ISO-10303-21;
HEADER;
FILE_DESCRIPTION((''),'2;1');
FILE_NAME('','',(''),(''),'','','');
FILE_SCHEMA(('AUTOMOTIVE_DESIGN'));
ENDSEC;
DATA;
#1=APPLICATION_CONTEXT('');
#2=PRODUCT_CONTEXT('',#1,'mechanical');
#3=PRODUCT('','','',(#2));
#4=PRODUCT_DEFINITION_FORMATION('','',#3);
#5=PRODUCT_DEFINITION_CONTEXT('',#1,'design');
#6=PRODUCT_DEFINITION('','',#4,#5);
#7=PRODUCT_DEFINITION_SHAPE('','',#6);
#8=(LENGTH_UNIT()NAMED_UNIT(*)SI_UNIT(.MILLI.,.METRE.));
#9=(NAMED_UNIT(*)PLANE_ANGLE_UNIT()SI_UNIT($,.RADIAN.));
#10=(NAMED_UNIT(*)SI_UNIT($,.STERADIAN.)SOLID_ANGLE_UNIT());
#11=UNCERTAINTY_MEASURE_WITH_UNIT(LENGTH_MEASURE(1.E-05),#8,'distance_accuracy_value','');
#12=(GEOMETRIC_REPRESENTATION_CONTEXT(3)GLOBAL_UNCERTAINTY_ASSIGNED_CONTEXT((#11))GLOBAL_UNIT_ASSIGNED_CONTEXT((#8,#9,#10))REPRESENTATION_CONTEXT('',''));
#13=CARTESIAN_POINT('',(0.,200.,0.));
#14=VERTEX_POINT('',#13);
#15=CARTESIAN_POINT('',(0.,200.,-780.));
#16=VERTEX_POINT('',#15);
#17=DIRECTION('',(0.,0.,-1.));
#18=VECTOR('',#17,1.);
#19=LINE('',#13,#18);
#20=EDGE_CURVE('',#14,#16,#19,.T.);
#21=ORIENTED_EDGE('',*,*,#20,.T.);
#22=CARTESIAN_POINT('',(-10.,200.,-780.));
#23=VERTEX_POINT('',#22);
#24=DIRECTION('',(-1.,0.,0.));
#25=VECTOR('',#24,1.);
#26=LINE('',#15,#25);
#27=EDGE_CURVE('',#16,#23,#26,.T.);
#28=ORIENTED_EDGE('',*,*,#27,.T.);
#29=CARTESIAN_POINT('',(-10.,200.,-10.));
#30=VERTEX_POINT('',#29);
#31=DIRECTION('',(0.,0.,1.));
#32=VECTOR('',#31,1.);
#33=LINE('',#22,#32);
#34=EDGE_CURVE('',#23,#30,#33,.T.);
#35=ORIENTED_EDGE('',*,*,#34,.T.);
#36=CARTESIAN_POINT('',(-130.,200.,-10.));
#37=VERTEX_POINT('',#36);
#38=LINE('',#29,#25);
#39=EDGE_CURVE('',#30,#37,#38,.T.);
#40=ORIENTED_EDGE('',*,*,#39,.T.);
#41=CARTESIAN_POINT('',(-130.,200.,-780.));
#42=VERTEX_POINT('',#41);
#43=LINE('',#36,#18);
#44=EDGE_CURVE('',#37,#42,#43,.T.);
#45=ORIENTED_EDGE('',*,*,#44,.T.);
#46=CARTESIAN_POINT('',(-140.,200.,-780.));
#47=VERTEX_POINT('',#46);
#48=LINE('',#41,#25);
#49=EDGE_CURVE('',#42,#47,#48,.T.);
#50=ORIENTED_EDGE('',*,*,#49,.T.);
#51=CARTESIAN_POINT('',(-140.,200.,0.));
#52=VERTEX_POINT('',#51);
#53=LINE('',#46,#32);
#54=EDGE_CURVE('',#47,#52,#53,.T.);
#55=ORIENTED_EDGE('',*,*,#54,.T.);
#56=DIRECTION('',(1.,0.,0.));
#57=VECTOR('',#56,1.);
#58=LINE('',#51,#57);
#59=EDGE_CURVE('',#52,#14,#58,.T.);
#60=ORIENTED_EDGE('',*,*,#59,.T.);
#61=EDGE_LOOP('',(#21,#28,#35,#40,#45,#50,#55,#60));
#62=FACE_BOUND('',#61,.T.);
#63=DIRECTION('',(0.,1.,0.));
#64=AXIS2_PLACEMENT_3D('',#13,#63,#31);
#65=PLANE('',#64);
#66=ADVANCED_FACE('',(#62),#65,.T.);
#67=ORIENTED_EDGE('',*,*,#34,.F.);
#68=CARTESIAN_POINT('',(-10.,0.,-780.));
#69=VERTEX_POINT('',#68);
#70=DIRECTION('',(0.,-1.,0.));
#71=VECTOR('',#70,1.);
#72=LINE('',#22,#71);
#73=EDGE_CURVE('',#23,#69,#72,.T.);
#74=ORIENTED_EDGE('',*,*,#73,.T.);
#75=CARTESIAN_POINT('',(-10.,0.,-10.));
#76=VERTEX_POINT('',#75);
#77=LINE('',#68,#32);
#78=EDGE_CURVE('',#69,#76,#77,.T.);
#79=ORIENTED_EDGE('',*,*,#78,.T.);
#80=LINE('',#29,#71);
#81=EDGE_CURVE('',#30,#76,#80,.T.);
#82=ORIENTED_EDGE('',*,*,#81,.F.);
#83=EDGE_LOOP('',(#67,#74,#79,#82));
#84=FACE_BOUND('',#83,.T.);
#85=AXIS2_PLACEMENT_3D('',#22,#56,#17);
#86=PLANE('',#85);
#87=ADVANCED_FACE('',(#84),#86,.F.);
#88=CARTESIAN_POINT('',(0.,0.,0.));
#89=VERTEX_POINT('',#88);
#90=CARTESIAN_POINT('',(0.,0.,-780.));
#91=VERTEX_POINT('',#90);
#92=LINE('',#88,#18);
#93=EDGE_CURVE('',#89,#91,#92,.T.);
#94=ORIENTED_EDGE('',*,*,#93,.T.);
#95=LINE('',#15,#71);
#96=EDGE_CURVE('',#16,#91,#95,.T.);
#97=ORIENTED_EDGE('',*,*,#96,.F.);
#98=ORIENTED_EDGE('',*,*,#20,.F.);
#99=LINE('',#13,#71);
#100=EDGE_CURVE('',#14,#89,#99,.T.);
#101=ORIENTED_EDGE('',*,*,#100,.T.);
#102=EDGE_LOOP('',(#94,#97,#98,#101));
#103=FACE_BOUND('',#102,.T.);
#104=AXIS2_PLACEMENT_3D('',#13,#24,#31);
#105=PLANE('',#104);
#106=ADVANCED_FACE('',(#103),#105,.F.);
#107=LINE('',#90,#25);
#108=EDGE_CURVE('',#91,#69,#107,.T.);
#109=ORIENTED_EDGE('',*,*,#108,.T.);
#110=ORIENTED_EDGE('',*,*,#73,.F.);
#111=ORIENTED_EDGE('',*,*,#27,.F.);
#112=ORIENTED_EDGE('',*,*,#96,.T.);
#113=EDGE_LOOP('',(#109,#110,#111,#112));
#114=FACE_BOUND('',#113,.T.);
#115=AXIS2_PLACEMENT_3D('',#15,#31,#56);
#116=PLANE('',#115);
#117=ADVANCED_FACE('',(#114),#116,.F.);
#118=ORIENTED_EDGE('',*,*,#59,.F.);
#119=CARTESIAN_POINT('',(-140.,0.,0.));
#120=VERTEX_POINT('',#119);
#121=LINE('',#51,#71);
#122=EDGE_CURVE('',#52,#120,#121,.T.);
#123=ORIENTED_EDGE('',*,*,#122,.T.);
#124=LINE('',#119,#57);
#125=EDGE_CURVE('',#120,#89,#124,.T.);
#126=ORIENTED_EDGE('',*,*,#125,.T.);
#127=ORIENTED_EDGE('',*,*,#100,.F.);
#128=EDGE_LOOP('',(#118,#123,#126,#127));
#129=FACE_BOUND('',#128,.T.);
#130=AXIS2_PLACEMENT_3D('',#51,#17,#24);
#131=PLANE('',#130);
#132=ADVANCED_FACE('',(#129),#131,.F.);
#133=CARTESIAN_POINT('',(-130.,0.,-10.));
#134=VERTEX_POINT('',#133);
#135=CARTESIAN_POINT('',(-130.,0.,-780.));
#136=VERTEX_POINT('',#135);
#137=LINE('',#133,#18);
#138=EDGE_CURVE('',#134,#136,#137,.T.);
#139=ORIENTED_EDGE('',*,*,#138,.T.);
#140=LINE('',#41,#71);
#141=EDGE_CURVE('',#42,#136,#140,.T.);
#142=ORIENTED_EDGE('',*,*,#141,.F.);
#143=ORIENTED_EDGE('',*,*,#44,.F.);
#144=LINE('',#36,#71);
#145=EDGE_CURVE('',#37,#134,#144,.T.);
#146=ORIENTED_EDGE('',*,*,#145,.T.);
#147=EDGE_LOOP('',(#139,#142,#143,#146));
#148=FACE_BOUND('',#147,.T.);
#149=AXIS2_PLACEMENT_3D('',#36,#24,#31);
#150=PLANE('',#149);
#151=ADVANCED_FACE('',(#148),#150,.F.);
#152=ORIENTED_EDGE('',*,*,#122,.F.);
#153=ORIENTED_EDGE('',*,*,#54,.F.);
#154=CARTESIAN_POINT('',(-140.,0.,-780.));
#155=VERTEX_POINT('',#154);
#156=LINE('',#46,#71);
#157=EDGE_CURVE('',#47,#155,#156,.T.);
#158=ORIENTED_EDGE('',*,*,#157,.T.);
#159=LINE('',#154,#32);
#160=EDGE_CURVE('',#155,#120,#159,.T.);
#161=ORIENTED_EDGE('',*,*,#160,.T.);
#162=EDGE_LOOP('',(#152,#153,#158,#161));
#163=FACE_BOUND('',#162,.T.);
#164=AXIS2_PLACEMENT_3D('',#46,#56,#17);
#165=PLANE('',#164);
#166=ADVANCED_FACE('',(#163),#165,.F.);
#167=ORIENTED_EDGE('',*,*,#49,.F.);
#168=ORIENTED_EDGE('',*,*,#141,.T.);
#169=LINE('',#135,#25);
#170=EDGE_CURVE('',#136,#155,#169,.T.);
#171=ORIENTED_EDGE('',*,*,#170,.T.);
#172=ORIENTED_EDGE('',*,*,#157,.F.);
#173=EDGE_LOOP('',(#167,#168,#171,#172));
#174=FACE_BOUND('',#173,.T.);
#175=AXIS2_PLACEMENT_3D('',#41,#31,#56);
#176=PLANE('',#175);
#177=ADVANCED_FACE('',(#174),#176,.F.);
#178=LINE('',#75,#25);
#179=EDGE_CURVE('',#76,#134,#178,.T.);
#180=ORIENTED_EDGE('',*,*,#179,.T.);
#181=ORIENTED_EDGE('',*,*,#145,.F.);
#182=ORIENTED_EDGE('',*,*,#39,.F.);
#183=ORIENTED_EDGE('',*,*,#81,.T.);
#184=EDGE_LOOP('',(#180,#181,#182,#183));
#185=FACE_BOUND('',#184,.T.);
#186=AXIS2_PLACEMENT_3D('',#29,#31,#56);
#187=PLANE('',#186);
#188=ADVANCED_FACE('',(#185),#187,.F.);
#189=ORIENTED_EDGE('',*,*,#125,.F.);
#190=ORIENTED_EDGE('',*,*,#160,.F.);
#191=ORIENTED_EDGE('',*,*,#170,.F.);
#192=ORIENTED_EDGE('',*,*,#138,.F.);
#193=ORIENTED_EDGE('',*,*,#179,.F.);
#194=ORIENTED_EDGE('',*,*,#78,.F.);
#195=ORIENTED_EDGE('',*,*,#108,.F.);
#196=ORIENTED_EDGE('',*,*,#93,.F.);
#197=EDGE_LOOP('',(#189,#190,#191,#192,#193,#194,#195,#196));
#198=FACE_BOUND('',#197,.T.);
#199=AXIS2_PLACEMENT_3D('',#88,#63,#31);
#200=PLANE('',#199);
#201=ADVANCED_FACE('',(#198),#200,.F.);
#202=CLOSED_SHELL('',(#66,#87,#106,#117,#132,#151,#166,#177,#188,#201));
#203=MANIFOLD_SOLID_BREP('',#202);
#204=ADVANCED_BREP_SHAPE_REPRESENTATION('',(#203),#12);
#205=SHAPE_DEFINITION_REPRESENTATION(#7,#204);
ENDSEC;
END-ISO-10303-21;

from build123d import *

# Parameters (mm, degrees)
BOSS_EXTRUDE1_DEPTH = 200


with BuildPart() as part:
    # Sketch1 → Boss-Extrude1 (new body)
    with BuildSketch(Plane(origin=(0, 0, 0), x_dir=(1, 0, 0), z_dir=(0, 1, 0))):
        Polygon((0, 0), (0, 780), (-10, 780), (-10, 10), (-130, 10), (-130, 780), (-140, 780), (-140, 0), align=None)
    extrude(amount=BOSS_EXTRUDE1_DEPTH)


solid = part.part
